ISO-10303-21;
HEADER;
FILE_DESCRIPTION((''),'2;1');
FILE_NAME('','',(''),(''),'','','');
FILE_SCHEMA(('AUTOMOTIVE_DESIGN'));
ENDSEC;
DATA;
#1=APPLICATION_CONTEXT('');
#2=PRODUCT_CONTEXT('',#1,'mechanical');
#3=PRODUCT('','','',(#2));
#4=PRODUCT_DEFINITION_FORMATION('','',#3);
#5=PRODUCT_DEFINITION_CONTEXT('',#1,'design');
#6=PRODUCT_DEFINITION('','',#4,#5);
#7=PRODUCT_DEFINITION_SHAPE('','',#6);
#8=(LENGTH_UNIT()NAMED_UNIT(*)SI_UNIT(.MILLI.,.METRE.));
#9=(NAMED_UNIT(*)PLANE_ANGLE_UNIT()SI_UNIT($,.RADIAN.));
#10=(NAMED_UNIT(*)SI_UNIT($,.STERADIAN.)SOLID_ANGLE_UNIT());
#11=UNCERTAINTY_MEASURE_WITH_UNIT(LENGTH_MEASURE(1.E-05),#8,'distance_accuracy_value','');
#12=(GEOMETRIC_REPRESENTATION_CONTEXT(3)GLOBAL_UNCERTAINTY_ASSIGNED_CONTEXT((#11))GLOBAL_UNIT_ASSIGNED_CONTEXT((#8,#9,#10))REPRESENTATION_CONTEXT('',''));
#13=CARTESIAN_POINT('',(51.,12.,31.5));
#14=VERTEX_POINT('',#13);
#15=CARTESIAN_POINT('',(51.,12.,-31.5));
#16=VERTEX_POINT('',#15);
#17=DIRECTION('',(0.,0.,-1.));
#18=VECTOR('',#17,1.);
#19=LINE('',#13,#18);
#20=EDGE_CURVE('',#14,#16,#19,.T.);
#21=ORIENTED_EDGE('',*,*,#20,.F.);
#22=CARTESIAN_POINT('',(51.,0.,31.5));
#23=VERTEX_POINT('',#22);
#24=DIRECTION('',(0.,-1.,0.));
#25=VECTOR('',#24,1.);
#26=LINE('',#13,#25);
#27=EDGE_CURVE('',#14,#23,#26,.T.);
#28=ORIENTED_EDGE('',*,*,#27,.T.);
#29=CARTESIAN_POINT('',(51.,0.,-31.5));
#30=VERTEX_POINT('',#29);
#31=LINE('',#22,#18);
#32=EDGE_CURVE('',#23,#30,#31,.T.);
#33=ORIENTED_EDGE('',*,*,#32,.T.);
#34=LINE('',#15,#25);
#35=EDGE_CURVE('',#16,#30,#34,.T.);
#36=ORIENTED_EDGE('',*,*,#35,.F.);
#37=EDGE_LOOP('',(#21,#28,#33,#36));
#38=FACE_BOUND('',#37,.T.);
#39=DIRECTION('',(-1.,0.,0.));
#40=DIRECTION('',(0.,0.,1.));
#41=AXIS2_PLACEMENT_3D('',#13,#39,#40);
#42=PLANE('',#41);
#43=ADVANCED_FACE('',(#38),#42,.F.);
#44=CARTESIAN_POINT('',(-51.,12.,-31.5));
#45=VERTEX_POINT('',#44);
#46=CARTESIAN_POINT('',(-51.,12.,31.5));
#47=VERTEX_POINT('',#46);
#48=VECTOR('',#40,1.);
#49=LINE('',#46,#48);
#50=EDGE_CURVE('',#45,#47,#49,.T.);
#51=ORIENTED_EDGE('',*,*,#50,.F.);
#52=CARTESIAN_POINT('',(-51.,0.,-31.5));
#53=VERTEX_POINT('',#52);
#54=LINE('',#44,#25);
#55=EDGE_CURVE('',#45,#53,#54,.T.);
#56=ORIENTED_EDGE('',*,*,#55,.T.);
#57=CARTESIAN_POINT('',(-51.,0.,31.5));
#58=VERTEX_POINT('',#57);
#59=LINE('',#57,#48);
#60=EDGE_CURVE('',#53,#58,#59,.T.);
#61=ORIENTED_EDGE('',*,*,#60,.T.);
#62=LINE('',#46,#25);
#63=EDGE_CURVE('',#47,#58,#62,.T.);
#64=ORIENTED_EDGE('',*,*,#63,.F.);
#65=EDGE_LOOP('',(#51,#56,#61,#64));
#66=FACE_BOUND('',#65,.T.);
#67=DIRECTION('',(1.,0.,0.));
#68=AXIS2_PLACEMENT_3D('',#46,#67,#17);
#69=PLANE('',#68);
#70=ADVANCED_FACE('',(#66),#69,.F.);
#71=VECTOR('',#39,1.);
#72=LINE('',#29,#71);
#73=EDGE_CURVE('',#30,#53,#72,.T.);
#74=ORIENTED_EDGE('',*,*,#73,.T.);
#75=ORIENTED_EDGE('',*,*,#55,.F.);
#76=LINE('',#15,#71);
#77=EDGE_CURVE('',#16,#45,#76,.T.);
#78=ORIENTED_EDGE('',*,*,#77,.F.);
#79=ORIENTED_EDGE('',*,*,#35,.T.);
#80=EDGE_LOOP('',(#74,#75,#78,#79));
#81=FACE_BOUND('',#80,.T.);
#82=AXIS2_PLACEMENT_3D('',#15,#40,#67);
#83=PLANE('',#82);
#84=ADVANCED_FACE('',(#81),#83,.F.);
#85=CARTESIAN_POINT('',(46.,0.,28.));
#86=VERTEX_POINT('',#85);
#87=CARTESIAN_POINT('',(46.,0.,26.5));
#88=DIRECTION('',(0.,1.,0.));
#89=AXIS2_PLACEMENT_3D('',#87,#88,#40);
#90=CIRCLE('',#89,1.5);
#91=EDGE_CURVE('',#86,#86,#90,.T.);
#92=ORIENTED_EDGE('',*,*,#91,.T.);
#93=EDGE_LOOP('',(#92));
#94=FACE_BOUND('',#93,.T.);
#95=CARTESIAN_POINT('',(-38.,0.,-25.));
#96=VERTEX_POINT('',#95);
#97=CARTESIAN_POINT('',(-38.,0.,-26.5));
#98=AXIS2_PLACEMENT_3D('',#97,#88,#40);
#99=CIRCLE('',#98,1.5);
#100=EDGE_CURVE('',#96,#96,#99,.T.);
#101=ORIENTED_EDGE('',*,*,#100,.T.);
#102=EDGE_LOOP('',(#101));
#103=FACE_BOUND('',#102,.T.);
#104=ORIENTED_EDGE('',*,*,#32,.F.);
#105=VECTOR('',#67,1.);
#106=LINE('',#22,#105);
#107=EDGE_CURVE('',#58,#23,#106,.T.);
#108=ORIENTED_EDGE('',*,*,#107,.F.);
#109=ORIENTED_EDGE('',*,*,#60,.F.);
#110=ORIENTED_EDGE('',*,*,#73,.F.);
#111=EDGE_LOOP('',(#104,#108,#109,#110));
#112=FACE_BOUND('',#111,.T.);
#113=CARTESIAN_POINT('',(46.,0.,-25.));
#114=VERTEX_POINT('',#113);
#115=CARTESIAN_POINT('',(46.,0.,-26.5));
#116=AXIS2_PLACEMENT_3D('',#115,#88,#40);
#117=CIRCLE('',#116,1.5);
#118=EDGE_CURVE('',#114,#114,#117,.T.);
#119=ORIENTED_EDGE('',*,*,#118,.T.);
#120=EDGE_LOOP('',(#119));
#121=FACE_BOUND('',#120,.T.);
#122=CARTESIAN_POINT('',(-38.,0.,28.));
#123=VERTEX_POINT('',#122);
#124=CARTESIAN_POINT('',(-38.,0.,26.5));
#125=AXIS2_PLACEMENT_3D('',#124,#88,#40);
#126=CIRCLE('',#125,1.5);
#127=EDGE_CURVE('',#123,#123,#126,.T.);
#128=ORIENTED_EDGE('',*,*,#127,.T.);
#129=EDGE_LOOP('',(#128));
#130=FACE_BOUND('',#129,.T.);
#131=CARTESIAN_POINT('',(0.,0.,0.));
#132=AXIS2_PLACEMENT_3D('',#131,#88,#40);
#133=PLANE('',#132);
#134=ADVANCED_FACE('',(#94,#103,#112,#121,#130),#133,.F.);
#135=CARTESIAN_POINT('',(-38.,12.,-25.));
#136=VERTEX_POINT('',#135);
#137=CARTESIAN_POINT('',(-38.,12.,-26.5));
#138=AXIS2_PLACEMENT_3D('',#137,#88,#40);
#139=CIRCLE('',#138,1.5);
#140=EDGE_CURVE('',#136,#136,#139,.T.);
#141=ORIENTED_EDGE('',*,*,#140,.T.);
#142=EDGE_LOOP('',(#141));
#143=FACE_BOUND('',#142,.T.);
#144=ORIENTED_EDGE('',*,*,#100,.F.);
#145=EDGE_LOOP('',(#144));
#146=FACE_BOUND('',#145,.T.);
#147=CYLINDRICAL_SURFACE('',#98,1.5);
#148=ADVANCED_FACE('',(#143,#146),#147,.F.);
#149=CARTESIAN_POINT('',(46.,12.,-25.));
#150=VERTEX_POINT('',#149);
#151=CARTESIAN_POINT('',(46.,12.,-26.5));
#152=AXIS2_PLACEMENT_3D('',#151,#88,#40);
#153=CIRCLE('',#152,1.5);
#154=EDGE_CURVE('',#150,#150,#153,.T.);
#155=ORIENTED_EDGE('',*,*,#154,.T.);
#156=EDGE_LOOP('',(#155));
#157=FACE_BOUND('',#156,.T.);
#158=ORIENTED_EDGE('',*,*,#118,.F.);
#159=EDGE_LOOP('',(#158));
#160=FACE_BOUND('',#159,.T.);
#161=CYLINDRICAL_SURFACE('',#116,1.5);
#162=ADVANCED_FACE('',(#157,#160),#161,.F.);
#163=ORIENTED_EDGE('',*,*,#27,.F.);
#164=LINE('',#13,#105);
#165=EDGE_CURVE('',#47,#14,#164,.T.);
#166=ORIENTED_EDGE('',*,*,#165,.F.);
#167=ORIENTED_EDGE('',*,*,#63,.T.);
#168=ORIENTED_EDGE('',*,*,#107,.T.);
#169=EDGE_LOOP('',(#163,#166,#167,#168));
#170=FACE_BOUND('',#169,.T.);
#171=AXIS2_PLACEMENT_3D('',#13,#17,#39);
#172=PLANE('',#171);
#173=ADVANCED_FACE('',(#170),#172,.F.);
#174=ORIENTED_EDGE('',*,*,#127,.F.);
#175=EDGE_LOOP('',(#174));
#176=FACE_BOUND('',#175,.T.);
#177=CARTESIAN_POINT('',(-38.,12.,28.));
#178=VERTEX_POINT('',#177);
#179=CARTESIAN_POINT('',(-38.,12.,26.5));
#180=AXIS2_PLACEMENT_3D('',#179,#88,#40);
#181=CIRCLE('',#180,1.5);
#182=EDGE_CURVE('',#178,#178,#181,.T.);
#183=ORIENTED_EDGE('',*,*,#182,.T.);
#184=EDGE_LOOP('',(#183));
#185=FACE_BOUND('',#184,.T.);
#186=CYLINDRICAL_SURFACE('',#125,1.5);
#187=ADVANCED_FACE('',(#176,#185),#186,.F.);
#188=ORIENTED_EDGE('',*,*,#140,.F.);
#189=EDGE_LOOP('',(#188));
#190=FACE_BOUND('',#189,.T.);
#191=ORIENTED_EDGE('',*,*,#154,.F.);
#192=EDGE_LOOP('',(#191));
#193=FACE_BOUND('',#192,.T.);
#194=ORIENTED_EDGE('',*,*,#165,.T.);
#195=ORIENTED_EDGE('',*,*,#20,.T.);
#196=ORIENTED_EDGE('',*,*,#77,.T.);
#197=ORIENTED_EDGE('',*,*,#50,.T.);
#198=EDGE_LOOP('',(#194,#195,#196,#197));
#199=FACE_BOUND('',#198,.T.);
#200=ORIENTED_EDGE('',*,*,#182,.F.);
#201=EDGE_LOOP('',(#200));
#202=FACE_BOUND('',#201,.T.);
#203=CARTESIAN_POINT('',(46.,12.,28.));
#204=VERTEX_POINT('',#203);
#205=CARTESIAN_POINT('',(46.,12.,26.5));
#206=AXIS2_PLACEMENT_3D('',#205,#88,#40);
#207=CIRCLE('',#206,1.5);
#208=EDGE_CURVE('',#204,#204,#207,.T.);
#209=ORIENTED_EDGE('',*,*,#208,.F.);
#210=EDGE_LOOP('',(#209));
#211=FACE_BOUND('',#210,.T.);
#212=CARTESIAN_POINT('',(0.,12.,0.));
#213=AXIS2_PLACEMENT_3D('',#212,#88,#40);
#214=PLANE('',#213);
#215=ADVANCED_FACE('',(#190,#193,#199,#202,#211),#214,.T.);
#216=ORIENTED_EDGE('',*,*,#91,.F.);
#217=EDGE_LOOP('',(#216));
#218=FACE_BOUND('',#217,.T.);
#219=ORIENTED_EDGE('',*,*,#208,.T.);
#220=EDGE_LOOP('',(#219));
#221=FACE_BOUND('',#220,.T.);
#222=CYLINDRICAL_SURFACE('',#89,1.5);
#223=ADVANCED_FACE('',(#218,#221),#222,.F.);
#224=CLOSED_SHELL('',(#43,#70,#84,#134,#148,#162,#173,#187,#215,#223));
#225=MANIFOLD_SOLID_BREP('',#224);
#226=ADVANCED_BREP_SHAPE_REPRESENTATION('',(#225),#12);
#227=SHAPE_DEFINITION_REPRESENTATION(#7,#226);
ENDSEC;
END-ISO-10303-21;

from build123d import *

# Parameters (mm, degrees)
SKETCH1_W           = 102
SKETCH1_H           = 63
BOSS_EXTRUDE1_DEPTH = 12
SKETCH2_R           = 1.5
CUT_EXTRUDE1_DEPTH  = 62.133051617


with BuildPart() as part:
    # Sketch1 → Boss-Extrude1 (new body)
    with BuildSketch(Plane(origin=(0, 0, 0), x_dir=(1, 0, 0), z_dir=(0, 1, 0))):
        Rectangle(SKETCH1_W, SKETCH1_H)
    extrude(amount=BOSS_EXTRUDE1_DEPTH)

    # Sketch2 → Cut-Extrude1 (cut, through all)
    with BuildSketch(Plane(origin=(0, 12, 0), x_dir=(1, 0, 0), z_dir=(0, 1, 0))):
        with Locations(Location((-38, 26.5, 0), (0, 0, 270))):
            Circle(SKETCH2_R)
        with Locations(Location((46, 26.5, 0), (0, 0, 270))):
            Circle(SKETCH2_R)
        with Locations(Location((46, -26.5, 0), (0, 0, 270))):
            Circle(SKETCH2_R)
        with Locations(Location((-38, -26.5, 0), (0, 0, 270))):
            Circle(SKETCH2_R)
    extrude(amount=-CUT_EXTRUDE1_DEPTH, mode=Mode.SUBTRACT)


solid = part.part
